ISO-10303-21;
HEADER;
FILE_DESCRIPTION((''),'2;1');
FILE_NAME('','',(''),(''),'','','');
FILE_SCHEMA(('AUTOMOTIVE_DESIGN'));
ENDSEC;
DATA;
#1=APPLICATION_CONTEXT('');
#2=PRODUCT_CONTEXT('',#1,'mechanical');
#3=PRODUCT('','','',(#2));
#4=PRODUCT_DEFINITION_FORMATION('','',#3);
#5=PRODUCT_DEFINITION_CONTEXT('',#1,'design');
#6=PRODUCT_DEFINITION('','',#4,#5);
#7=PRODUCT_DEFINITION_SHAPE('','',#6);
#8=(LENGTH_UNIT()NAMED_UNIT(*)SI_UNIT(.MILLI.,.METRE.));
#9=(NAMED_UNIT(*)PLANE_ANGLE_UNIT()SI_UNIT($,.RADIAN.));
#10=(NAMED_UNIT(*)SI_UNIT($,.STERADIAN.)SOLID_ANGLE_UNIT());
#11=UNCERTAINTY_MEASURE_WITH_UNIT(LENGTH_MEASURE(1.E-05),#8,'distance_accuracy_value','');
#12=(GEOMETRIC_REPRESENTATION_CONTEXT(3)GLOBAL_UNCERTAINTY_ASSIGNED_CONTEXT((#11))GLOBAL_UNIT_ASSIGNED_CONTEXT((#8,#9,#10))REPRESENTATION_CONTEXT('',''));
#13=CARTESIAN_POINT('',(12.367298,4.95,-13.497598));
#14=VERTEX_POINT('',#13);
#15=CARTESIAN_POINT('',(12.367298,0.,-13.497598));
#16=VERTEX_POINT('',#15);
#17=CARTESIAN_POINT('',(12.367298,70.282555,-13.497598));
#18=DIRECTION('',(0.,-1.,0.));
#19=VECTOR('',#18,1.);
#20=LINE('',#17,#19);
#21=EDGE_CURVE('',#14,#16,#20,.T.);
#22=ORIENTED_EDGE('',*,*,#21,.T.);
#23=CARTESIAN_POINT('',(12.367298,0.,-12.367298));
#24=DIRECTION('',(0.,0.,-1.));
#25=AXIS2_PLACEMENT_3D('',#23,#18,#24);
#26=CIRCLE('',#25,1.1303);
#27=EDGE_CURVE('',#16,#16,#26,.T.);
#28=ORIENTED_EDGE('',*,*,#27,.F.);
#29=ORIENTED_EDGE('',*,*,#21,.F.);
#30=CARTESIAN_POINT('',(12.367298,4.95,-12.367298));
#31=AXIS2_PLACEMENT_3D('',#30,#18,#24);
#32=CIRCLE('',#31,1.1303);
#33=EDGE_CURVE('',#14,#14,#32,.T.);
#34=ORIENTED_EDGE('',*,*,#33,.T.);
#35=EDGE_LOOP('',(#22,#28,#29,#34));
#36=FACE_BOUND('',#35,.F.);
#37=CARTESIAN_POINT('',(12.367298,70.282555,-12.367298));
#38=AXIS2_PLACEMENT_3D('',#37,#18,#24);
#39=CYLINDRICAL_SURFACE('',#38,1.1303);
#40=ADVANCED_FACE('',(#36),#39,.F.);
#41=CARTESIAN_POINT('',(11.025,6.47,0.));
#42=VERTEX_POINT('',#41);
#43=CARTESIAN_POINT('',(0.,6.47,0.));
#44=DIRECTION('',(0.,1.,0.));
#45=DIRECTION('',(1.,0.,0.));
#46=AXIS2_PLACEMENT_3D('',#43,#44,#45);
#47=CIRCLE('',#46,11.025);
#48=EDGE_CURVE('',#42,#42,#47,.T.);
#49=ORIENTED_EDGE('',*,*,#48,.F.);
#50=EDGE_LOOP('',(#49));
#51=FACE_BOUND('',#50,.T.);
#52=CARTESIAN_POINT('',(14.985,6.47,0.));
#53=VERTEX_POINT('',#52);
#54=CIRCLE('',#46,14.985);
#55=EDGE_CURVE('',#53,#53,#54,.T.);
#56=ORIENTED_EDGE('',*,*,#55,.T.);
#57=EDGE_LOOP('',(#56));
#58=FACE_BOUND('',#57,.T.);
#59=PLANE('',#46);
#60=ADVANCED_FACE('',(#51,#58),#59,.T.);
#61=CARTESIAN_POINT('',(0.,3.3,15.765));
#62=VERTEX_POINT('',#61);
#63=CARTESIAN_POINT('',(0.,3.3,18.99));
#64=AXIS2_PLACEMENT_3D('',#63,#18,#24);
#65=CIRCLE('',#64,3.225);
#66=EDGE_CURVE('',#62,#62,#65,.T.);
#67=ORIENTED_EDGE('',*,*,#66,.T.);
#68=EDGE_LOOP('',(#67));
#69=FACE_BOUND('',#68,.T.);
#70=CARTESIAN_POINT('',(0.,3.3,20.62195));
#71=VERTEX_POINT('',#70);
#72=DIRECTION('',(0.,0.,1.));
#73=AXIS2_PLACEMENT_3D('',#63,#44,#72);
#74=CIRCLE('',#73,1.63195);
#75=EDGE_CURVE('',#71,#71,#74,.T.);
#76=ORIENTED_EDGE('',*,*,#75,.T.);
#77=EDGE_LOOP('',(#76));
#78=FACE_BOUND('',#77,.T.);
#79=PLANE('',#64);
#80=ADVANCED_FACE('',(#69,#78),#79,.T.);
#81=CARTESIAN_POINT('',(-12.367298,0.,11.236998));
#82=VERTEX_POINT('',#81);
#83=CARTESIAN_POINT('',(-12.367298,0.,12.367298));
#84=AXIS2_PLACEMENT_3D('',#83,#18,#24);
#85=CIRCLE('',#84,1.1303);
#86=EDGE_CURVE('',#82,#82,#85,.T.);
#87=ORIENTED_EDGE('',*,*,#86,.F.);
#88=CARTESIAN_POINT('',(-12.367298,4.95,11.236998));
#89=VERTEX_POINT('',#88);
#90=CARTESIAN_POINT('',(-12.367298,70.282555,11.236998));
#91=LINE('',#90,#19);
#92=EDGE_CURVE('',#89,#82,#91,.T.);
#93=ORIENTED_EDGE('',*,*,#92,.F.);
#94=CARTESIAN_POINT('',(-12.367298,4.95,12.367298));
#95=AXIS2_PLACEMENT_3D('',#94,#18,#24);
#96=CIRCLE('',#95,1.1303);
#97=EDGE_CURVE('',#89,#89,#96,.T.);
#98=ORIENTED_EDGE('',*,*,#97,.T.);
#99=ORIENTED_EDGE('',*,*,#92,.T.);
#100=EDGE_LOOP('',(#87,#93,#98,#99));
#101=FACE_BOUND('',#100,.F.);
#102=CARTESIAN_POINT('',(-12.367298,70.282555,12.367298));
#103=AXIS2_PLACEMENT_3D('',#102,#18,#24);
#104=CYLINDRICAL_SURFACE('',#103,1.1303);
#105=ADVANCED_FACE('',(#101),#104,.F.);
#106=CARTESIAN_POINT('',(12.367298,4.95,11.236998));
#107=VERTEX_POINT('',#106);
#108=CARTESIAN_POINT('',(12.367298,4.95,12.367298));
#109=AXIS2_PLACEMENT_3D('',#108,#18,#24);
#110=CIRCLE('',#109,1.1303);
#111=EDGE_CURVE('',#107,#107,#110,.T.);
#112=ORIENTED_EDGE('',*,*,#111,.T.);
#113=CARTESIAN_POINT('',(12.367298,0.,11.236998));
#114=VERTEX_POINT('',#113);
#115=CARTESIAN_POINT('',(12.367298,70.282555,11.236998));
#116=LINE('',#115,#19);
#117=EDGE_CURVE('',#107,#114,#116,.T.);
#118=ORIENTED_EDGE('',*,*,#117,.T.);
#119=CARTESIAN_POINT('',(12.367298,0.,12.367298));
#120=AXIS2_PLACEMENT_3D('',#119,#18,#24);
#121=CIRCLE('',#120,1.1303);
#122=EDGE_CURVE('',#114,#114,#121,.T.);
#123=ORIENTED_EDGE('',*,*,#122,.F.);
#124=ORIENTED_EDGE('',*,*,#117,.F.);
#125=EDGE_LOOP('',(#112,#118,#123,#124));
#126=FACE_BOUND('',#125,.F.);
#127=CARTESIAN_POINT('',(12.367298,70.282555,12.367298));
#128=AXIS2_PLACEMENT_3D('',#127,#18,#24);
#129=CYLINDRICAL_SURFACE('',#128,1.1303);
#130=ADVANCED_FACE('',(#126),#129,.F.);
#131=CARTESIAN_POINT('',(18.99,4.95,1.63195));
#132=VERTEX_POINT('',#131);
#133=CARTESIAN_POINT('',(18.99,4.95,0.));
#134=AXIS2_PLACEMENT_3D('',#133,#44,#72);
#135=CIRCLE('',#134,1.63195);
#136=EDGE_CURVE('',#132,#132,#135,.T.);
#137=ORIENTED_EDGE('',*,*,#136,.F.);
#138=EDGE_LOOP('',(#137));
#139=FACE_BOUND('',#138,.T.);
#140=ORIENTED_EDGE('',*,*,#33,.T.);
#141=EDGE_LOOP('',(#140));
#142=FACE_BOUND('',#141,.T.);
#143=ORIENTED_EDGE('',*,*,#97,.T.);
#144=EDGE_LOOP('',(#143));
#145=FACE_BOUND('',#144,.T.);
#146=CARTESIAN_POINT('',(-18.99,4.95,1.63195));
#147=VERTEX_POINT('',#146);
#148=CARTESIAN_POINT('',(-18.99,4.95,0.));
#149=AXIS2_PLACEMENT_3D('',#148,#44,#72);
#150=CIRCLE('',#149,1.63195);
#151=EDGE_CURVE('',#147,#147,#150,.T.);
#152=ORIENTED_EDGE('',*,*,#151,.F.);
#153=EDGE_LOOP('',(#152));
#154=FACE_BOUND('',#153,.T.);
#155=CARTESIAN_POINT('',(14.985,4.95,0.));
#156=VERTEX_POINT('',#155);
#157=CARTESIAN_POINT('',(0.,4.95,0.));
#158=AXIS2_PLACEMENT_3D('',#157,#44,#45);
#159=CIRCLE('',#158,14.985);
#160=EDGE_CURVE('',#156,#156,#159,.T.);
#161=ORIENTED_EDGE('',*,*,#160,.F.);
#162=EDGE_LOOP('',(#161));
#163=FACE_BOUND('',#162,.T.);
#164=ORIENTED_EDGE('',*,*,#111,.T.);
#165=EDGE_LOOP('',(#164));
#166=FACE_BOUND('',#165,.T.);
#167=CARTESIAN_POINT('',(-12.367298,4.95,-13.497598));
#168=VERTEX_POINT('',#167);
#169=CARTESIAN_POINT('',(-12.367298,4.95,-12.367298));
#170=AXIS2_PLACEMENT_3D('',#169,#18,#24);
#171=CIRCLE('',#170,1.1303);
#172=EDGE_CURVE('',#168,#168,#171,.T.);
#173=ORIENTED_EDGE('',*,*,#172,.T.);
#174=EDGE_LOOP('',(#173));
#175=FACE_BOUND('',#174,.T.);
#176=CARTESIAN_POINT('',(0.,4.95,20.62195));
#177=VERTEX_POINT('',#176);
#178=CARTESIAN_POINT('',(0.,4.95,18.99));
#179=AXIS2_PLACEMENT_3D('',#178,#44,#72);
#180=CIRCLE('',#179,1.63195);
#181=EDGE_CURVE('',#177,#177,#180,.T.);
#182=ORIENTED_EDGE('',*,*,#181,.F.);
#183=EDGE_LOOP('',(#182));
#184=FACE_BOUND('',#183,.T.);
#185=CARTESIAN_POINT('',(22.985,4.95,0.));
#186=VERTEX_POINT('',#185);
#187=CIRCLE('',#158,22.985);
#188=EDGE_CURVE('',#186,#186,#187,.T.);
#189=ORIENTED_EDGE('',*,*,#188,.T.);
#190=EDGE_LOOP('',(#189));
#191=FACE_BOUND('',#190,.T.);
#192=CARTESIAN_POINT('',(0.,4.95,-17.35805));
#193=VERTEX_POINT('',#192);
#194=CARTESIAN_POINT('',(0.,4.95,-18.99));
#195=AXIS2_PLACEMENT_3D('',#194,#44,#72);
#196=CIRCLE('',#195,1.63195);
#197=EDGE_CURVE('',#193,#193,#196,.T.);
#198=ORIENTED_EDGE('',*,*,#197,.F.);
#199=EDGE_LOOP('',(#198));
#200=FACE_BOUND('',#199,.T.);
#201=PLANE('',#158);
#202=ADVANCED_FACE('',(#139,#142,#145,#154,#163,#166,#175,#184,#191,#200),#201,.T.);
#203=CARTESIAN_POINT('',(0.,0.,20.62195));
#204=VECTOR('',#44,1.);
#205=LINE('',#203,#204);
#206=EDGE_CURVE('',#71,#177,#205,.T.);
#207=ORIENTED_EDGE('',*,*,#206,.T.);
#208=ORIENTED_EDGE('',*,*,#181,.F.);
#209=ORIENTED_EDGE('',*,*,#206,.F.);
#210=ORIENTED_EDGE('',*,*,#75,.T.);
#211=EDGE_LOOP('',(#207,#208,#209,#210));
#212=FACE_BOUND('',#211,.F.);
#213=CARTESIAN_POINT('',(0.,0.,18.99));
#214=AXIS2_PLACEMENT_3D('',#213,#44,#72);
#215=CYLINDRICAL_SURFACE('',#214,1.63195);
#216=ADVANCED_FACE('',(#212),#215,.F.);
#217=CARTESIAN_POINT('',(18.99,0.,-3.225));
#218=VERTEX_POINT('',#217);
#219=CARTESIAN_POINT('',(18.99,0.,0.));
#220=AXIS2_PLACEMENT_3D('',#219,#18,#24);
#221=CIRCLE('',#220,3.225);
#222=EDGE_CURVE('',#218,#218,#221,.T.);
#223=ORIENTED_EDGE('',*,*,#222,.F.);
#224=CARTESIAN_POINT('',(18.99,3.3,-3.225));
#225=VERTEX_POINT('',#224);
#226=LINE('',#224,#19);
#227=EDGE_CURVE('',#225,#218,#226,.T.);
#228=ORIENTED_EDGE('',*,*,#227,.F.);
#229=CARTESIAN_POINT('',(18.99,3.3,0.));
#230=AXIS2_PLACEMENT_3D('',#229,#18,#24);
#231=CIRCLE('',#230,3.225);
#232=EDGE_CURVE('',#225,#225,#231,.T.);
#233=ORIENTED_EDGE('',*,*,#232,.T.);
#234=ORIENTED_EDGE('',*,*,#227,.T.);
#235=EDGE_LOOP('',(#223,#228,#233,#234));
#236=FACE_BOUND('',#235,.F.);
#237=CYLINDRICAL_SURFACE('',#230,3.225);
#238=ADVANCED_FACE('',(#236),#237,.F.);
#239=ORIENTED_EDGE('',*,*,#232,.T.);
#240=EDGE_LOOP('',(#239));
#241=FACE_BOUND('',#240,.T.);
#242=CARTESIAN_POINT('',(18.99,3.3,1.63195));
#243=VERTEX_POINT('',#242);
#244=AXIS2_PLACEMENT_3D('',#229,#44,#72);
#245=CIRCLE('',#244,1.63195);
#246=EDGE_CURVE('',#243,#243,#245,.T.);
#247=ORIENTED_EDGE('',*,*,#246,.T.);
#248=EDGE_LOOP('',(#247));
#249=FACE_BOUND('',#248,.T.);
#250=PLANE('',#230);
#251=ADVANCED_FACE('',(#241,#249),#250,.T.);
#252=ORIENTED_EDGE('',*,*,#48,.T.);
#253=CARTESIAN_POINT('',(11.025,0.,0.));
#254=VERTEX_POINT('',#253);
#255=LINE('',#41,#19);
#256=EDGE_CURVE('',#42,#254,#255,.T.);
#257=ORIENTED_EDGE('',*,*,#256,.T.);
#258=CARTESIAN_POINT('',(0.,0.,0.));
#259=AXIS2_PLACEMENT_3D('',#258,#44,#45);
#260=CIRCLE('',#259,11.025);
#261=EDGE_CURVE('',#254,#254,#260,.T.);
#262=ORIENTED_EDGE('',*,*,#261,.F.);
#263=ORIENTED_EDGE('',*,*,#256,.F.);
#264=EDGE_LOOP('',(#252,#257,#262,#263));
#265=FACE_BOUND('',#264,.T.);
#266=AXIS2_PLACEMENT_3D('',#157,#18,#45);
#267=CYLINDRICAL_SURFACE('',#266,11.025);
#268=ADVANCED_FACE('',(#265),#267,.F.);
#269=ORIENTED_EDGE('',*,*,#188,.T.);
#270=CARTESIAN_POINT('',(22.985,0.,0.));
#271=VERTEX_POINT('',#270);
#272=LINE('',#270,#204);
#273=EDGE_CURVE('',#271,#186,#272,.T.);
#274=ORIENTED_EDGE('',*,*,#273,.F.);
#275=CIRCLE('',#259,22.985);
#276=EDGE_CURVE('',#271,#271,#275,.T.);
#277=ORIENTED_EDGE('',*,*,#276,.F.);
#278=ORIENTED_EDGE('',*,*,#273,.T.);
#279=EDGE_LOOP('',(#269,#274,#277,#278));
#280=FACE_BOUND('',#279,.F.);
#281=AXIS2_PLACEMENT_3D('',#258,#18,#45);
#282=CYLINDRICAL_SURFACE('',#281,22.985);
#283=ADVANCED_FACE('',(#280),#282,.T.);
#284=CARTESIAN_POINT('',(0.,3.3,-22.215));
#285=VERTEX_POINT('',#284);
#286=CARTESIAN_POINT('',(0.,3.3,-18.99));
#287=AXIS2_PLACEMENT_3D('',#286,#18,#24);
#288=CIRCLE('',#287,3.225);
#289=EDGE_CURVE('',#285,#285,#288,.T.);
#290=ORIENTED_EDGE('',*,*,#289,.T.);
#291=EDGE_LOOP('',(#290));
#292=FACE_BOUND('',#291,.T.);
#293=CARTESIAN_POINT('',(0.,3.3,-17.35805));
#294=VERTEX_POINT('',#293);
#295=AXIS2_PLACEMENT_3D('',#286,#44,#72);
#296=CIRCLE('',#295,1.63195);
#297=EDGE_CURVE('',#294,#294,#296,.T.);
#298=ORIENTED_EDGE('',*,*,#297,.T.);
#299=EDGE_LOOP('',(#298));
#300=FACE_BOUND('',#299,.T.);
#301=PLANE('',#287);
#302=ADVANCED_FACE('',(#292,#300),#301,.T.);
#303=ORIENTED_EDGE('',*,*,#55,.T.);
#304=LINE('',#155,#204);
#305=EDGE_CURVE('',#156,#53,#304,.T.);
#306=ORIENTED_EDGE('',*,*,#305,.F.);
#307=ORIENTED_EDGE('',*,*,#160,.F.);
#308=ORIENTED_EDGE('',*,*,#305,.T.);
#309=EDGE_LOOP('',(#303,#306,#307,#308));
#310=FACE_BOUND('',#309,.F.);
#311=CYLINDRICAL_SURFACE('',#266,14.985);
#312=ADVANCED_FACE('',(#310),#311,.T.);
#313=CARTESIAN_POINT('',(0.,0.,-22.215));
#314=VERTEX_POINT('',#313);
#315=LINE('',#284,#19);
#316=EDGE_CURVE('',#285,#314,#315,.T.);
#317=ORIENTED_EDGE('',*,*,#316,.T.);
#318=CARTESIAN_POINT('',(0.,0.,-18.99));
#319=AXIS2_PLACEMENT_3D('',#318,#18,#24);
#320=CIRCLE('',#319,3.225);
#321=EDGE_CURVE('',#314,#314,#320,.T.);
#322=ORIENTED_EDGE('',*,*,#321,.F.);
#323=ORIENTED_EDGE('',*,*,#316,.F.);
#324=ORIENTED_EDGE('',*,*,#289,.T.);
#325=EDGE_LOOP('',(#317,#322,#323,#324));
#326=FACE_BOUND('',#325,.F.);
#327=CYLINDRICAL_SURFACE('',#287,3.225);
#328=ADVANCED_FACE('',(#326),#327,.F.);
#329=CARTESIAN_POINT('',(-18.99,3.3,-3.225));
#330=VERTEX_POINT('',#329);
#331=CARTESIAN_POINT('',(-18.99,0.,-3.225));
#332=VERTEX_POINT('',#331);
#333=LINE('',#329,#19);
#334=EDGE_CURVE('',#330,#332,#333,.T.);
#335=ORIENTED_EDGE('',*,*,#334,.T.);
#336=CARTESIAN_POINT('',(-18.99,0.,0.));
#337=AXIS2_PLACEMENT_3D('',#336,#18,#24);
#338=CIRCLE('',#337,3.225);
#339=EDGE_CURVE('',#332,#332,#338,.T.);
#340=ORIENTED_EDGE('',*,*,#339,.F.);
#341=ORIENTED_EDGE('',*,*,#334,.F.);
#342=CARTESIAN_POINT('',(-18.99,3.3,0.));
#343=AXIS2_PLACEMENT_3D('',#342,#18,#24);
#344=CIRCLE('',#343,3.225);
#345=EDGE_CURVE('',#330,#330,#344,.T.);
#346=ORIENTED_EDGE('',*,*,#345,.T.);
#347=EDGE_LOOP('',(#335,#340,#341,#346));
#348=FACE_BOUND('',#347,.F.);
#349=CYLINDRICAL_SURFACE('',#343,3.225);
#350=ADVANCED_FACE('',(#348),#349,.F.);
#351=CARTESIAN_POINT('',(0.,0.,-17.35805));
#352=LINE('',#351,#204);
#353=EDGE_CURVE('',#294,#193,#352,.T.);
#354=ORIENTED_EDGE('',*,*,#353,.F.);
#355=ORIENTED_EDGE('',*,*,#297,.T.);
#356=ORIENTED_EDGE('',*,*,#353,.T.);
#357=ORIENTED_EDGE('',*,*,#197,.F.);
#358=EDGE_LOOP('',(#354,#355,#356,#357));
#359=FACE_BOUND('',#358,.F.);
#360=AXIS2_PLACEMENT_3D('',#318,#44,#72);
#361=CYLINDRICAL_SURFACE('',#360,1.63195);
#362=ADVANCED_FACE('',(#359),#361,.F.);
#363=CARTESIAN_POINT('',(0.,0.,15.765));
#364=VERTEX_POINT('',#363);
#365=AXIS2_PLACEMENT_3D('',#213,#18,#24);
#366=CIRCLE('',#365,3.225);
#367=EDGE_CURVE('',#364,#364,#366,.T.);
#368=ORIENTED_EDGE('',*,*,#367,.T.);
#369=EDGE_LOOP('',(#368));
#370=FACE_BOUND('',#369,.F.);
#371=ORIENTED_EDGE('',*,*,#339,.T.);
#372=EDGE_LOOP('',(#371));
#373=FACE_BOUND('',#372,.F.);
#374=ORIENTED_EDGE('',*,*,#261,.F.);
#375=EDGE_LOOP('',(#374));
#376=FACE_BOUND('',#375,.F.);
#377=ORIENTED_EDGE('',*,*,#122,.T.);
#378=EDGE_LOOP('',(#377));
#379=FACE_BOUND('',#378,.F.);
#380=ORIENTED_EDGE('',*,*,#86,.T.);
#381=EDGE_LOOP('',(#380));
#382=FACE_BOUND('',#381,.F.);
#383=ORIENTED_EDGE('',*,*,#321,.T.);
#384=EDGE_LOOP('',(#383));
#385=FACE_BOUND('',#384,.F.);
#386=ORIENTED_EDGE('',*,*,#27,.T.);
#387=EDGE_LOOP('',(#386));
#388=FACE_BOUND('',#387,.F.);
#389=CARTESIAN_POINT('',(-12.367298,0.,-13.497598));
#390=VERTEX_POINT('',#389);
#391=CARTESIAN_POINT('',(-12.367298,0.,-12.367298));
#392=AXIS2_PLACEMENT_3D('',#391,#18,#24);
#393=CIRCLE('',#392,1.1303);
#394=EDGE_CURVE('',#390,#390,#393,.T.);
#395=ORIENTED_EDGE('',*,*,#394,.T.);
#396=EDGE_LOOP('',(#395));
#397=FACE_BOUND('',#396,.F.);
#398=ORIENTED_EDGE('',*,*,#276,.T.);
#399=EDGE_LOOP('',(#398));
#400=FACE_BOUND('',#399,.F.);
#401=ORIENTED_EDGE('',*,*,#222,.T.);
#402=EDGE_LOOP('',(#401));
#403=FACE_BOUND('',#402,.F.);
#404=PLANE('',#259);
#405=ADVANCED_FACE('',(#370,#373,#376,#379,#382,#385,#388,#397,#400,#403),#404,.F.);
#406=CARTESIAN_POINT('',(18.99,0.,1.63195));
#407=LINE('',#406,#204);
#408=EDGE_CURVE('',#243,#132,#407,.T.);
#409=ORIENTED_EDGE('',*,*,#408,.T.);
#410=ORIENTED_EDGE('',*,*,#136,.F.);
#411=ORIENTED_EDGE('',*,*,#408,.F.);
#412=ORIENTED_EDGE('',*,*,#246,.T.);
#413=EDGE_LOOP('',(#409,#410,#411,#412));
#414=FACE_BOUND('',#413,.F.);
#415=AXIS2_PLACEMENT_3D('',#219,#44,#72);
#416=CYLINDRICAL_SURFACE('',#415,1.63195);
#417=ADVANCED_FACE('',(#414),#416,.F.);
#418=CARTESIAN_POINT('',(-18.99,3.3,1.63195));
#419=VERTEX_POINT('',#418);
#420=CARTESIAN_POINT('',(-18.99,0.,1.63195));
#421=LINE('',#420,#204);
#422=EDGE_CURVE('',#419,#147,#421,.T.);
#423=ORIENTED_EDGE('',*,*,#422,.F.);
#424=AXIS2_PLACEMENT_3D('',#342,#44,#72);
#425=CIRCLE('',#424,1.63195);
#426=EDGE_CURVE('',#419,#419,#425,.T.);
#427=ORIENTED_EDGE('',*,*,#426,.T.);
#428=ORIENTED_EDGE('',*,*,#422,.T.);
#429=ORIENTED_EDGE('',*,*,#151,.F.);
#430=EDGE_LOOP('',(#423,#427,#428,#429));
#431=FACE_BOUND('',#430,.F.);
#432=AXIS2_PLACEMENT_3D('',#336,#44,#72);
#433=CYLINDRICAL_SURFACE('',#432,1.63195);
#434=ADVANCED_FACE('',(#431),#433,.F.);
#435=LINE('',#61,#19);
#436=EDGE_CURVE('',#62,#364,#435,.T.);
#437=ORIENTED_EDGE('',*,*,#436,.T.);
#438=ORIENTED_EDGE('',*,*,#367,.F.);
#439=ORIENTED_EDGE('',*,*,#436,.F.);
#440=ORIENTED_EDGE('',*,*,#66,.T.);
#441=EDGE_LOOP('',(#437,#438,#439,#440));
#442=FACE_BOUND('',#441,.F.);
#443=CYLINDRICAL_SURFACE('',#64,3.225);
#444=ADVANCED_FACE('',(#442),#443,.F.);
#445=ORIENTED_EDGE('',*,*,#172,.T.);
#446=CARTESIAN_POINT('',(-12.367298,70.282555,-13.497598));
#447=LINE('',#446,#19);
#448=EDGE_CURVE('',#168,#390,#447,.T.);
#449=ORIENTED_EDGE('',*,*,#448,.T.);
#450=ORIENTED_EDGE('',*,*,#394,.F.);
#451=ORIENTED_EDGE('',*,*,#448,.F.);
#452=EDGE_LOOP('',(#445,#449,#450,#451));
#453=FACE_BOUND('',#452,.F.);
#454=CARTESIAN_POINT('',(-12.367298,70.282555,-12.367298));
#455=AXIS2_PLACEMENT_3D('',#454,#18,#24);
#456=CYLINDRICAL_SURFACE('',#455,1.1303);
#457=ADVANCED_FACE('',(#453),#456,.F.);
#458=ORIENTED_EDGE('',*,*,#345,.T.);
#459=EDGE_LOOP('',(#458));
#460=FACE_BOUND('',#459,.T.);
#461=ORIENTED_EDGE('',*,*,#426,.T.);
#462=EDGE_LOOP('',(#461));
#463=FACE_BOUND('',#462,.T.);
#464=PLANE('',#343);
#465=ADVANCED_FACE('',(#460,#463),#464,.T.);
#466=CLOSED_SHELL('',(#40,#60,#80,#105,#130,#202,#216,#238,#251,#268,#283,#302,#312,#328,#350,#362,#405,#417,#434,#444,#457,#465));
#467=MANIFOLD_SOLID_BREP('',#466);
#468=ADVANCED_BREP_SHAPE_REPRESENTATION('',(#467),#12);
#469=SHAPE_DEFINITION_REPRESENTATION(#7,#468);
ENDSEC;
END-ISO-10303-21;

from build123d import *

# Parameters (mm, degrees)
SKETCH2_R                                      = 22.985
SKETCH2_R_2                                    = 1.63
SKETCH2_R_3                                    = 1.13
SKETCH2_R_4                                    = 14.985
SKETCH2_R_5                                    = 11.025
BOSS_EXTRUDE1_DEPTH                            = 4.95
BOSS_EXTRUDE2_START                            = 4.95
SKETCH2_3_R                                    = 14.985
SKETCH2_3_R_2                                  = 11.025
BOSS_EXTRUDE2_DEPTH                            = 1.52
F_4_40_TAPPED_HOLE1_D                          = 2.2606
CBORE_FOR_4_SOCKET_HEAD_CAP_SCREW1_D           = 3.2639
CBORE_FOR_4_SOCKET_HEAD_CAP_SCREW1_CBORE_D     = 6.450000054
CBORE_FOR_4_SOCKET_HEAD_CAP_SCREW1_CBORE_DEPTH = 3.300000004


with BuildPart() as part:
    # Sketch2 → Boss-Extrude1 (new body)
    with BuildSketch(Plane(origin=(0, 0, 0), x_dir=(1, 0, 0), z_dir=(0, 1, 0))):
        Circle(SKETCH2_R)
        with Locations((-18.99, 0)):
            Circle(SKETCH2_R_2, mode=Mode.SUBTRACT)
        with Locations((0, -18.99)):
            Circle(SKETCH2_R_2, mode=Mode.SUBTRACT)
        with Locations((18.99, 0)):
            Circle(SKETCH2_R_2, mode=Mode.SUBTRACT)
        with Locations((0, 18.99)):
            Circle(SKETCH2_R_2, mode=Mode.SUBTRACT)
        with Locations((12.367297603, -12.367297603)):
            Circle(SKETCH2_R_3, mode=Mode.SUBTRACT)
        with Locations((-12.367297603, -12.367297603)):
            Circle(SKETCH2_R_3, mode=Mode.SUBTRACT)
        with Locations((12.367297603, 12.367297603)):
            Circle(SKETCH2_R_3, mode=Mode.SUBTRACT)
        with Locations((-12.367297603, 12.367297603)):
            Circle(SKETCH2_R_3, mode=Mode.SUBTRACT)
        Circle(SKETCH2_R_4, mode=Mode.SUBTRACT)
        Circle(SKETCH2_R_4)
        Circle(SKETCH2_R_5, mode=Mode.SUBTRACT)
    extrude(amount=BOSS_EXTRUDE1_DEPTH)

    # Sketch2<3> → Boss-Extrude2 (add)
    with BuildSketch(Plane(origin=(0, 0, 0), x_dir=(1, 0, 0), z_dir=(0, 1, 0)).offset(BOSS_EXTRUDE2_START)):
        Circle(SKETCH2_3_R)
        Circle(SKETCH2_3_R_2, mode=Mode.SUBTRACT)
    extrude(amount=BOSS_EXTRUDE2_DEPTH)

    # #4-40 Tapped Hole1 (through all)
    with Locations(Plane(origin=(12.367297603, 4.95, -12.367297603), x_dir=(0, 0, 1), z_dir=(0, 1, 0))):
        with Locations((0, 0), (24.734595206, 0), (24.734595206, -24.734595206), (0, -24.734595206)):
            Hole(F_4_40_TAPPED_HOLE1_D / 2)

    # CBORE for #4 Socket Head Cap Screw1 (through all)
    with Locations(Plane(origin=(0, 0, 18.99), x_dir=(0, 0, -1), z_dir=(0, -1, 0))):
        with Locations((0, 0), (18.99, 18.99), (37.98, 0), (18.99, -18.99)):
            CounterBoreHole(CBORE_FOR_4_SOCKET_HEAD_CAP_SCREW1_D / 2, CBORE_FOR_4_SOCKET_HEAD_CAP_SCREW1_CBORE_D / 2, CBORE_FOR_4_SOCKET_HEAD_CAP_SCREW1_CBORE_DEPTH)


solid = part.part
